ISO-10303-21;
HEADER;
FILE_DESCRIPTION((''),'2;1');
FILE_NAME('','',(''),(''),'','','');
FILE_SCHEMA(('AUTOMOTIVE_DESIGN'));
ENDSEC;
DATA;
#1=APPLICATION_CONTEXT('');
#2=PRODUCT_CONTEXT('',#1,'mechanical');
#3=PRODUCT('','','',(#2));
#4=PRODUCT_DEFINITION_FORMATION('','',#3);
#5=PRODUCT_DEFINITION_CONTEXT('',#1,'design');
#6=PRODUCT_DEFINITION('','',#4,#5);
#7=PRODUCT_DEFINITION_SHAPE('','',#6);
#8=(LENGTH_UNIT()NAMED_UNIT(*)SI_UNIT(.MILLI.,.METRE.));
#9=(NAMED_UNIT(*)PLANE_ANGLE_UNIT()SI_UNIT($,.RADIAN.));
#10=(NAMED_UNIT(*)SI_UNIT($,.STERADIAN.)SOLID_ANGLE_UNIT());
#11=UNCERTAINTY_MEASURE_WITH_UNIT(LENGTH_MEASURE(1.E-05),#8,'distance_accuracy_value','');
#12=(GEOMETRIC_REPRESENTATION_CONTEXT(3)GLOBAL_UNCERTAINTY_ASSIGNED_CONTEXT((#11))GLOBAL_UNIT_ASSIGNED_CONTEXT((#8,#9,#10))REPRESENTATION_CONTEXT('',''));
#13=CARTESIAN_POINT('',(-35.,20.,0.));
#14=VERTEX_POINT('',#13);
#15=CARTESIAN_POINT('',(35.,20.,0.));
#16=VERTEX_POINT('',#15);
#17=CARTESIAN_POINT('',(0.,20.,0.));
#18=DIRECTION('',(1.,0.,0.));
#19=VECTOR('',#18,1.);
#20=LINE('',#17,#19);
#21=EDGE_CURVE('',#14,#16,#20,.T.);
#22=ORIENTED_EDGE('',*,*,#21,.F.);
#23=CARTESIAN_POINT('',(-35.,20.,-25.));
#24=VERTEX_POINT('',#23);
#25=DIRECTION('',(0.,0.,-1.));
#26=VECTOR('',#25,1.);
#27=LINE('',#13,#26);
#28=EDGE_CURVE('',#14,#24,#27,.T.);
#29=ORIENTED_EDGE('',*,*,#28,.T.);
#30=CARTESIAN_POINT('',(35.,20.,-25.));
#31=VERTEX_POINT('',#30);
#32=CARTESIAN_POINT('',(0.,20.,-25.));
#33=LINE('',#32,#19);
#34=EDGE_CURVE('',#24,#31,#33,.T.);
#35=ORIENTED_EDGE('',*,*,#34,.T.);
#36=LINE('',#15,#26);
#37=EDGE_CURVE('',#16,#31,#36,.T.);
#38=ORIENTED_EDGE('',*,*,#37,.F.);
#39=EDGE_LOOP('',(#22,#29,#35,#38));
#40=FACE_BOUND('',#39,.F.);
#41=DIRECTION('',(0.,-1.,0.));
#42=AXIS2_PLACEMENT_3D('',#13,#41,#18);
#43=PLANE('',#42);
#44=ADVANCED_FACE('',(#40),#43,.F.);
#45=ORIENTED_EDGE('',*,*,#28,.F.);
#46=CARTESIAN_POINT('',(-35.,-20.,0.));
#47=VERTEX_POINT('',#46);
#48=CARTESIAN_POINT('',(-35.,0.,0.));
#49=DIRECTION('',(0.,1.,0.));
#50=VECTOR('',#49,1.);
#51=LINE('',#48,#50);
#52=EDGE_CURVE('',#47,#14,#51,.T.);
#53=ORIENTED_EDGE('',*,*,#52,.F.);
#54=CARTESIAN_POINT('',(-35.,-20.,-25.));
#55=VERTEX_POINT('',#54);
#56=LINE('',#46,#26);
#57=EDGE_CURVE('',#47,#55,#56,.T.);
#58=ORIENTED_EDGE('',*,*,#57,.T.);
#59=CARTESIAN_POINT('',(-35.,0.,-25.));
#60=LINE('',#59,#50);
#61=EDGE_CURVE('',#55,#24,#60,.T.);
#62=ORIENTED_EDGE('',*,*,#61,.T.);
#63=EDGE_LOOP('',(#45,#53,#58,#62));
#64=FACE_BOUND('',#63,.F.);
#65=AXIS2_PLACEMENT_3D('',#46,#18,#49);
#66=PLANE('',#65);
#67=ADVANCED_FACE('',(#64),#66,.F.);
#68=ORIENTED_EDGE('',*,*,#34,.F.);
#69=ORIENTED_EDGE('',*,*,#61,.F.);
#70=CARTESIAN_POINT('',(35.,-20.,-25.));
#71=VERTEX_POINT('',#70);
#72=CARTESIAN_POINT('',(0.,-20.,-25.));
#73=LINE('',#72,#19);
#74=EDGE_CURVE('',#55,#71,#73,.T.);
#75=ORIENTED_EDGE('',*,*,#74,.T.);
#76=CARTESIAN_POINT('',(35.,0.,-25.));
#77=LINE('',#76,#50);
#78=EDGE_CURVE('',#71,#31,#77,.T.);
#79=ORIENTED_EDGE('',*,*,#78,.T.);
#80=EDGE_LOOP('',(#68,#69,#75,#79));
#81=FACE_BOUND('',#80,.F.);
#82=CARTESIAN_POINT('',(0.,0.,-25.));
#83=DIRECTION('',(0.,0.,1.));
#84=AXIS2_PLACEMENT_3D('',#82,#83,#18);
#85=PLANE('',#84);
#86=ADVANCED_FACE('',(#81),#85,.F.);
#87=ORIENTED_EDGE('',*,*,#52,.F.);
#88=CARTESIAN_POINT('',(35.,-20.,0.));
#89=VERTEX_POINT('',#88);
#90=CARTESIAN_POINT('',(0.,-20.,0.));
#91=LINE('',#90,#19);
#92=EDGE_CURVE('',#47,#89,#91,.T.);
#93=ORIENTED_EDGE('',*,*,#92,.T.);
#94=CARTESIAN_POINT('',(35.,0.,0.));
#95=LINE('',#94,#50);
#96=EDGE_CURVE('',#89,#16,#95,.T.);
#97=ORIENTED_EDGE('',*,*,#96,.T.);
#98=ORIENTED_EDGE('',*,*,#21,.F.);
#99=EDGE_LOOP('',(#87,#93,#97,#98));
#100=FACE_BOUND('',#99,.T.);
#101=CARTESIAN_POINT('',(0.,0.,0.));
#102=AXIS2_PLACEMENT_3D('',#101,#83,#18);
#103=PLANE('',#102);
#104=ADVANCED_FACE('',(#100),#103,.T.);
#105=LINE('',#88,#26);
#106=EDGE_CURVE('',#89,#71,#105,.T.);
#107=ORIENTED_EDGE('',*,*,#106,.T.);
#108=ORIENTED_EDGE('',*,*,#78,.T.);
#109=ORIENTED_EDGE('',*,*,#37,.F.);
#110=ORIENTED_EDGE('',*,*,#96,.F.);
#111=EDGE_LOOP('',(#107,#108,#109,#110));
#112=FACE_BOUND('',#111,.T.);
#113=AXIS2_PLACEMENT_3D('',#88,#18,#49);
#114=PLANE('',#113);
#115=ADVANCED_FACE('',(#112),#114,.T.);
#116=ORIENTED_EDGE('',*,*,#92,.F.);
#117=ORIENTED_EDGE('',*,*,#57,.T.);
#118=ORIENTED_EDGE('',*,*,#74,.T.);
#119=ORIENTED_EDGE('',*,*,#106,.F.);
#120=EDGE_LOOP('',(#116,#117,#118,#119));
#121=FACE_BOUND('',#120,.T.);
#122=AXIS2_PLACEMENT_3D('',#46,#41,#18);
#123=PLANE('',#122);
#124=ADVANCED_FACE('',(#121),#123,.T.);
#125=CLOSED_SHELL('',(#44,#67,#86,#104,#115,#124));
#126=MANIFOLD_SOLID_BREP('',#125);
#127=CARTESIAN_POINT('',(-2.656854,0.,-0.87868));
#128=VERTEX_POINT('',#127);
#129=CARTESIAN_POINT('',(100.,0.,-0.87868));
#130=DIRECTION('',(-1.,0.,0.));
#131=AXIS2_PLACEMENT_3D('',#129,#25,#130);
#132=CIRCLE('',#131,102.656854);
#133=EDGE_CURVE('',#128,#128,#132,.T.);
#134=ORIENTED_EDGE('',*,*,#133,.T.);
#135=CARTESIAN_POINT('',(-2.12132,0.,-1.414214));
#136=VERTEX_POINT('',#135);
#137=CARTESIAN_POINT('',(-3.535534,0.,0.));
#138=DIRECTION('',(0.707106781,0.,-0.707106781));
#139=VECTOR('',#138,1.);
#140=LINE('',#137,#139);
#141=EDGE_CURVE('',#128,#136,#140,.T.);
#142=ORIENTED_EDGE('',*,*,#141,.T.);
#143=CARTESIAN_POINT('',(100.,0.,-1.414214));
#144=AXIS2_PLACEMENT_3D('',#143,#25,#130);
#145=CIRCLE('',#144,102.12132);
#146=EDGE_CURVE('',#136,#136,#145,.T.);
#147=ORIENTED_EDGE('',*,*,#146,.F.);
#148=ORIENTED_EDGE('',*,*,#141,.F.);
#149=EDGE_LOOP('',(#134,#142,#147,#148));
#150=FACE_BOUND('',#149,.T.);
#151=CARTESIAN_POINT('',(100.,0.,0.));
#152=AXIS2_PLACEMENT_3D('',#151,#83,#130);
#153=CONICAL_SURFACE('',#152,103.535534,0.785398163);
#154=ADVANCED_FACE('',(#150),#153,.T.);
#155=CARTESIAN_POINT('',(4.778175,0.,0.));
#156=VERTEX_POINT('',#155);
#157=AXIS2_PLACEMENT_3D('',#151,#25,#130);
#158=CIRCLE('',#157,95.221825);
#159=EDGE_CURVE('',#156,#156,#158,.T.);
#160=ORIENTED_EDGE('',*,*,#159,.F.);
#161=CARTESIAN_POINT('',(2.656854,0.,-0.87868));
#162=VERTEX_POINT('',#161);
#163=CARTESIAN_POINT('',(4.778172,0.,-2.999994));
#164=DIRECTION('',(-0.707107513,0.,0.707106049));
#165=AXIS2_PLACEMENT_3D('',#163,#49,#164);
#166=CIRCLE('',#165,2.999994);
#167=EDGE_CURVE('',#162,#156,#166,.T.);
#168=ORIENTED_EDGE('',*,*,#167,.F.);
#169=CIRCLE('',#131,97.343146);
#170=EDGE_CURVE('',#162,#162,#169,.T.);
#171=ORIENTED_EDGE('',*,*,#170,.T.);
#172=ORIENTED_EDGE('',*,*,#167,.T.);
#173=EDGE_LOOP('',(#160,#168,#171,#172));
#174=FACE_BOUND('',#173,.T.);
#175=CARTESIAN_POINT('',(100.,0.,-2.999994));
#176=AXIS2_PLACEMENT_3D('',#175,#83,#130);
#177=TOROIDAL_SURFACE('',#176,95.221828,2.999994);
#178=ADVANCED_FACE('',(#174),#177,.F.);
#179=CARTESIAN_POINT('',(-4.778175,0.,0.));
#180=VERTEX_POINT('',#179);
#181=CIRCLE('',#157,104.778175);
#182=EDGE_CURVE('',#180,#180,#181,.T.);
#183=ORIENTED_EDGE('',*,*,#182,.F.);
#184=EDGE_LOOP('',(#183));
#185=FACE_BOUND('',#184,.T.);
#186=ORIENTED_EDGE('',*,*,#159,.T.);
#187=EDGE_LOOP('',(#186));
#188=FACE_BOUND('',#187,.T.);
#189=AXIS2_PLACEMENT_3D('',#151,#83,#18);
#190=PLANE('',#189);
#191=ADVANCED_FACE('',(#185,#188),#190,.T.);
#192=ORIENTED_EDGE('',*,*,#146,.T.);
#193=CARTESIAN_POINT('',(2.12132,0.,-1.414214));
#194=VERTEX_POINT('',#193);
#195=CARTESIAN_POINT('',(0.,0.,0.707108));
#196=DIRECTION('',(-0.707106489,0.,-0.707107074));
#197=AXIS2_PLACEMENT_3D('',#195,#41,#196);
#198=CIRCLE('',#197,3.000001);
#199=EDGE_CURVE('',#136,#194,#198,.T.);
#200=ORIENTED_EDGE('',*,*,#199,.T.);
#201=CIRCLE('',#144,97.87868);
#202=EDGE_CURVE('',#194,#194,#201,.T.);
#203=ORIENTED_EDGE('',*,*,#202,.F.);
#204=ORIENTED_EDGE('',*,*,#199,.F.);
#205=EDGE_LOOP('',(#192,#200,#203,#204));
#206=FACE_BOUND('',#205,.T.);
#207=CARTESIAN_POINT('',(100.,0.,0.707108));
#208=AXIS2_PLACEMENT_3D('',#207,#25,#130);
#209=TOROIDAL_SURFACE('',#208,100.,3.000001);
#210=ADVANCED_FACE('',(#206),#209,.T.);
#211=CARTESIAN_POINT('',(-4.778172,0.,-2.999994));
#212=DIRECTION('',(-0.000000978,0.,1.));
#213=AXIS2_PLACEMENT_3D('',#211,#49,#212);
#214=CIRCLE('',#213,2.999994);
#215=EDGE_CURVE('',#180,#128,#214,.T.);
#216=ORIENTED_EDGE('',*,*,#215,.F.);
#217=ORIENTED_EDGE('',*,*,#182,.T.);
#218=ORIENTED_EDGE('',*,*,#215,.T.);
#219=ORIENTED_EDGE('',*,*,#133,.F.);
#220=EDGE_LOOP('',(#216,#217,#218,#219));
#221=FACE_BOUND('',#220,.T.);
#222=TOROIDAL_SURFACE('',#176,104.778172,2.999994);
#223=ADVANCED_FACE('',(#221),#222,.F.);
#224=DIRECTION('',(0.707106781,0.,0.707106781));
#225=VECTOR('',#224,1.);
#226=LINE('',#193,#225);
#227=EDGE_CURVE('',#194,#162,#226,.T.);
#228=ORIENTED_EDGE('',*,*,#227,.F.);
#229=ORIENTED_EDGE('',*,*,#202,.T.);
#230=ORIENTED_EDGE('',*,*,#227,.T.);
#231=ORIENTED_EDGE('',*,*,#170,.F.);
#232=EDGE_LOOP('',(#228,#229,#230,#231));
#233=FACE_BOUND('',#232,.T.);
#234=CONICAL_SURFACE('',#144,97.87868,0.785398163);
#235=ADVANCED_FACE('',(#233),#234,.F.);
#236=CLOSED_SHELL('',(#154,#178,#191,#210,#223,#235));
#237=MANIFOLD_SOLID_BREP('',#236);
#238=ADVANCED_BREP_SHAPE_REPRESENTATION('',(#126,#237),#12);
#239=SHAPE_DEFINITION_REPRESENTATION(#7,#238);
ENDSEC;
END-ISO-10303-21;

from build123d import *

# Parameters (mm, degrees)
F0_W     = 70
F0_H     = 40
F1_DEPTH = 25


with BuildPart() as f1:
    # F0 (on Top) → F1 (new body)
    with BuildSketch(Plane.XY):
        Rectangle(F0_W, F0_H)
    extrude(amount=-F1_DEPTH)


with BuildPart() as f3:
    # F2 (on Front) → F3 (revolve)
    with BuildSketch(Plane.XZ):
        with BuildLine():
            Line((-3.535534, 0), (-4.778175, 0))
            ThreePointArc((-4.778175, 0), (-3.630124, -0.228361), (-2.656854, -0.87868))
            Line((-2.656854, -0.87868), (-3.535534, 0))
        make_face()
        with BuildLine():
            Line((0, 0), (-3.535534, 0))
            Line((-3.535534, 0), (-2.656854, -0.87868))
            Line((-2.656854, -0.87868), (-2.12132, -1.414214))
            ThreePointArc((-2.12132, -1.414214), (0, -2.292893), (2.12132, -1.414214))
            Line((2.12132, -1.414214), (2.656854, -0.87868))
            ThreePointArc((2.656854, -0.87868), (3.630124, -0.228361), (4.778175, 0))
            Line((4.778175, 0), (0.080616, 0))
            Line((0.080616, 0), (0, 0))
        make_face()
    revolve(axis=Axis((100, 0, -14.267068), (0, 0, -1)))


solid = Compound([f1.part, f3.part])
